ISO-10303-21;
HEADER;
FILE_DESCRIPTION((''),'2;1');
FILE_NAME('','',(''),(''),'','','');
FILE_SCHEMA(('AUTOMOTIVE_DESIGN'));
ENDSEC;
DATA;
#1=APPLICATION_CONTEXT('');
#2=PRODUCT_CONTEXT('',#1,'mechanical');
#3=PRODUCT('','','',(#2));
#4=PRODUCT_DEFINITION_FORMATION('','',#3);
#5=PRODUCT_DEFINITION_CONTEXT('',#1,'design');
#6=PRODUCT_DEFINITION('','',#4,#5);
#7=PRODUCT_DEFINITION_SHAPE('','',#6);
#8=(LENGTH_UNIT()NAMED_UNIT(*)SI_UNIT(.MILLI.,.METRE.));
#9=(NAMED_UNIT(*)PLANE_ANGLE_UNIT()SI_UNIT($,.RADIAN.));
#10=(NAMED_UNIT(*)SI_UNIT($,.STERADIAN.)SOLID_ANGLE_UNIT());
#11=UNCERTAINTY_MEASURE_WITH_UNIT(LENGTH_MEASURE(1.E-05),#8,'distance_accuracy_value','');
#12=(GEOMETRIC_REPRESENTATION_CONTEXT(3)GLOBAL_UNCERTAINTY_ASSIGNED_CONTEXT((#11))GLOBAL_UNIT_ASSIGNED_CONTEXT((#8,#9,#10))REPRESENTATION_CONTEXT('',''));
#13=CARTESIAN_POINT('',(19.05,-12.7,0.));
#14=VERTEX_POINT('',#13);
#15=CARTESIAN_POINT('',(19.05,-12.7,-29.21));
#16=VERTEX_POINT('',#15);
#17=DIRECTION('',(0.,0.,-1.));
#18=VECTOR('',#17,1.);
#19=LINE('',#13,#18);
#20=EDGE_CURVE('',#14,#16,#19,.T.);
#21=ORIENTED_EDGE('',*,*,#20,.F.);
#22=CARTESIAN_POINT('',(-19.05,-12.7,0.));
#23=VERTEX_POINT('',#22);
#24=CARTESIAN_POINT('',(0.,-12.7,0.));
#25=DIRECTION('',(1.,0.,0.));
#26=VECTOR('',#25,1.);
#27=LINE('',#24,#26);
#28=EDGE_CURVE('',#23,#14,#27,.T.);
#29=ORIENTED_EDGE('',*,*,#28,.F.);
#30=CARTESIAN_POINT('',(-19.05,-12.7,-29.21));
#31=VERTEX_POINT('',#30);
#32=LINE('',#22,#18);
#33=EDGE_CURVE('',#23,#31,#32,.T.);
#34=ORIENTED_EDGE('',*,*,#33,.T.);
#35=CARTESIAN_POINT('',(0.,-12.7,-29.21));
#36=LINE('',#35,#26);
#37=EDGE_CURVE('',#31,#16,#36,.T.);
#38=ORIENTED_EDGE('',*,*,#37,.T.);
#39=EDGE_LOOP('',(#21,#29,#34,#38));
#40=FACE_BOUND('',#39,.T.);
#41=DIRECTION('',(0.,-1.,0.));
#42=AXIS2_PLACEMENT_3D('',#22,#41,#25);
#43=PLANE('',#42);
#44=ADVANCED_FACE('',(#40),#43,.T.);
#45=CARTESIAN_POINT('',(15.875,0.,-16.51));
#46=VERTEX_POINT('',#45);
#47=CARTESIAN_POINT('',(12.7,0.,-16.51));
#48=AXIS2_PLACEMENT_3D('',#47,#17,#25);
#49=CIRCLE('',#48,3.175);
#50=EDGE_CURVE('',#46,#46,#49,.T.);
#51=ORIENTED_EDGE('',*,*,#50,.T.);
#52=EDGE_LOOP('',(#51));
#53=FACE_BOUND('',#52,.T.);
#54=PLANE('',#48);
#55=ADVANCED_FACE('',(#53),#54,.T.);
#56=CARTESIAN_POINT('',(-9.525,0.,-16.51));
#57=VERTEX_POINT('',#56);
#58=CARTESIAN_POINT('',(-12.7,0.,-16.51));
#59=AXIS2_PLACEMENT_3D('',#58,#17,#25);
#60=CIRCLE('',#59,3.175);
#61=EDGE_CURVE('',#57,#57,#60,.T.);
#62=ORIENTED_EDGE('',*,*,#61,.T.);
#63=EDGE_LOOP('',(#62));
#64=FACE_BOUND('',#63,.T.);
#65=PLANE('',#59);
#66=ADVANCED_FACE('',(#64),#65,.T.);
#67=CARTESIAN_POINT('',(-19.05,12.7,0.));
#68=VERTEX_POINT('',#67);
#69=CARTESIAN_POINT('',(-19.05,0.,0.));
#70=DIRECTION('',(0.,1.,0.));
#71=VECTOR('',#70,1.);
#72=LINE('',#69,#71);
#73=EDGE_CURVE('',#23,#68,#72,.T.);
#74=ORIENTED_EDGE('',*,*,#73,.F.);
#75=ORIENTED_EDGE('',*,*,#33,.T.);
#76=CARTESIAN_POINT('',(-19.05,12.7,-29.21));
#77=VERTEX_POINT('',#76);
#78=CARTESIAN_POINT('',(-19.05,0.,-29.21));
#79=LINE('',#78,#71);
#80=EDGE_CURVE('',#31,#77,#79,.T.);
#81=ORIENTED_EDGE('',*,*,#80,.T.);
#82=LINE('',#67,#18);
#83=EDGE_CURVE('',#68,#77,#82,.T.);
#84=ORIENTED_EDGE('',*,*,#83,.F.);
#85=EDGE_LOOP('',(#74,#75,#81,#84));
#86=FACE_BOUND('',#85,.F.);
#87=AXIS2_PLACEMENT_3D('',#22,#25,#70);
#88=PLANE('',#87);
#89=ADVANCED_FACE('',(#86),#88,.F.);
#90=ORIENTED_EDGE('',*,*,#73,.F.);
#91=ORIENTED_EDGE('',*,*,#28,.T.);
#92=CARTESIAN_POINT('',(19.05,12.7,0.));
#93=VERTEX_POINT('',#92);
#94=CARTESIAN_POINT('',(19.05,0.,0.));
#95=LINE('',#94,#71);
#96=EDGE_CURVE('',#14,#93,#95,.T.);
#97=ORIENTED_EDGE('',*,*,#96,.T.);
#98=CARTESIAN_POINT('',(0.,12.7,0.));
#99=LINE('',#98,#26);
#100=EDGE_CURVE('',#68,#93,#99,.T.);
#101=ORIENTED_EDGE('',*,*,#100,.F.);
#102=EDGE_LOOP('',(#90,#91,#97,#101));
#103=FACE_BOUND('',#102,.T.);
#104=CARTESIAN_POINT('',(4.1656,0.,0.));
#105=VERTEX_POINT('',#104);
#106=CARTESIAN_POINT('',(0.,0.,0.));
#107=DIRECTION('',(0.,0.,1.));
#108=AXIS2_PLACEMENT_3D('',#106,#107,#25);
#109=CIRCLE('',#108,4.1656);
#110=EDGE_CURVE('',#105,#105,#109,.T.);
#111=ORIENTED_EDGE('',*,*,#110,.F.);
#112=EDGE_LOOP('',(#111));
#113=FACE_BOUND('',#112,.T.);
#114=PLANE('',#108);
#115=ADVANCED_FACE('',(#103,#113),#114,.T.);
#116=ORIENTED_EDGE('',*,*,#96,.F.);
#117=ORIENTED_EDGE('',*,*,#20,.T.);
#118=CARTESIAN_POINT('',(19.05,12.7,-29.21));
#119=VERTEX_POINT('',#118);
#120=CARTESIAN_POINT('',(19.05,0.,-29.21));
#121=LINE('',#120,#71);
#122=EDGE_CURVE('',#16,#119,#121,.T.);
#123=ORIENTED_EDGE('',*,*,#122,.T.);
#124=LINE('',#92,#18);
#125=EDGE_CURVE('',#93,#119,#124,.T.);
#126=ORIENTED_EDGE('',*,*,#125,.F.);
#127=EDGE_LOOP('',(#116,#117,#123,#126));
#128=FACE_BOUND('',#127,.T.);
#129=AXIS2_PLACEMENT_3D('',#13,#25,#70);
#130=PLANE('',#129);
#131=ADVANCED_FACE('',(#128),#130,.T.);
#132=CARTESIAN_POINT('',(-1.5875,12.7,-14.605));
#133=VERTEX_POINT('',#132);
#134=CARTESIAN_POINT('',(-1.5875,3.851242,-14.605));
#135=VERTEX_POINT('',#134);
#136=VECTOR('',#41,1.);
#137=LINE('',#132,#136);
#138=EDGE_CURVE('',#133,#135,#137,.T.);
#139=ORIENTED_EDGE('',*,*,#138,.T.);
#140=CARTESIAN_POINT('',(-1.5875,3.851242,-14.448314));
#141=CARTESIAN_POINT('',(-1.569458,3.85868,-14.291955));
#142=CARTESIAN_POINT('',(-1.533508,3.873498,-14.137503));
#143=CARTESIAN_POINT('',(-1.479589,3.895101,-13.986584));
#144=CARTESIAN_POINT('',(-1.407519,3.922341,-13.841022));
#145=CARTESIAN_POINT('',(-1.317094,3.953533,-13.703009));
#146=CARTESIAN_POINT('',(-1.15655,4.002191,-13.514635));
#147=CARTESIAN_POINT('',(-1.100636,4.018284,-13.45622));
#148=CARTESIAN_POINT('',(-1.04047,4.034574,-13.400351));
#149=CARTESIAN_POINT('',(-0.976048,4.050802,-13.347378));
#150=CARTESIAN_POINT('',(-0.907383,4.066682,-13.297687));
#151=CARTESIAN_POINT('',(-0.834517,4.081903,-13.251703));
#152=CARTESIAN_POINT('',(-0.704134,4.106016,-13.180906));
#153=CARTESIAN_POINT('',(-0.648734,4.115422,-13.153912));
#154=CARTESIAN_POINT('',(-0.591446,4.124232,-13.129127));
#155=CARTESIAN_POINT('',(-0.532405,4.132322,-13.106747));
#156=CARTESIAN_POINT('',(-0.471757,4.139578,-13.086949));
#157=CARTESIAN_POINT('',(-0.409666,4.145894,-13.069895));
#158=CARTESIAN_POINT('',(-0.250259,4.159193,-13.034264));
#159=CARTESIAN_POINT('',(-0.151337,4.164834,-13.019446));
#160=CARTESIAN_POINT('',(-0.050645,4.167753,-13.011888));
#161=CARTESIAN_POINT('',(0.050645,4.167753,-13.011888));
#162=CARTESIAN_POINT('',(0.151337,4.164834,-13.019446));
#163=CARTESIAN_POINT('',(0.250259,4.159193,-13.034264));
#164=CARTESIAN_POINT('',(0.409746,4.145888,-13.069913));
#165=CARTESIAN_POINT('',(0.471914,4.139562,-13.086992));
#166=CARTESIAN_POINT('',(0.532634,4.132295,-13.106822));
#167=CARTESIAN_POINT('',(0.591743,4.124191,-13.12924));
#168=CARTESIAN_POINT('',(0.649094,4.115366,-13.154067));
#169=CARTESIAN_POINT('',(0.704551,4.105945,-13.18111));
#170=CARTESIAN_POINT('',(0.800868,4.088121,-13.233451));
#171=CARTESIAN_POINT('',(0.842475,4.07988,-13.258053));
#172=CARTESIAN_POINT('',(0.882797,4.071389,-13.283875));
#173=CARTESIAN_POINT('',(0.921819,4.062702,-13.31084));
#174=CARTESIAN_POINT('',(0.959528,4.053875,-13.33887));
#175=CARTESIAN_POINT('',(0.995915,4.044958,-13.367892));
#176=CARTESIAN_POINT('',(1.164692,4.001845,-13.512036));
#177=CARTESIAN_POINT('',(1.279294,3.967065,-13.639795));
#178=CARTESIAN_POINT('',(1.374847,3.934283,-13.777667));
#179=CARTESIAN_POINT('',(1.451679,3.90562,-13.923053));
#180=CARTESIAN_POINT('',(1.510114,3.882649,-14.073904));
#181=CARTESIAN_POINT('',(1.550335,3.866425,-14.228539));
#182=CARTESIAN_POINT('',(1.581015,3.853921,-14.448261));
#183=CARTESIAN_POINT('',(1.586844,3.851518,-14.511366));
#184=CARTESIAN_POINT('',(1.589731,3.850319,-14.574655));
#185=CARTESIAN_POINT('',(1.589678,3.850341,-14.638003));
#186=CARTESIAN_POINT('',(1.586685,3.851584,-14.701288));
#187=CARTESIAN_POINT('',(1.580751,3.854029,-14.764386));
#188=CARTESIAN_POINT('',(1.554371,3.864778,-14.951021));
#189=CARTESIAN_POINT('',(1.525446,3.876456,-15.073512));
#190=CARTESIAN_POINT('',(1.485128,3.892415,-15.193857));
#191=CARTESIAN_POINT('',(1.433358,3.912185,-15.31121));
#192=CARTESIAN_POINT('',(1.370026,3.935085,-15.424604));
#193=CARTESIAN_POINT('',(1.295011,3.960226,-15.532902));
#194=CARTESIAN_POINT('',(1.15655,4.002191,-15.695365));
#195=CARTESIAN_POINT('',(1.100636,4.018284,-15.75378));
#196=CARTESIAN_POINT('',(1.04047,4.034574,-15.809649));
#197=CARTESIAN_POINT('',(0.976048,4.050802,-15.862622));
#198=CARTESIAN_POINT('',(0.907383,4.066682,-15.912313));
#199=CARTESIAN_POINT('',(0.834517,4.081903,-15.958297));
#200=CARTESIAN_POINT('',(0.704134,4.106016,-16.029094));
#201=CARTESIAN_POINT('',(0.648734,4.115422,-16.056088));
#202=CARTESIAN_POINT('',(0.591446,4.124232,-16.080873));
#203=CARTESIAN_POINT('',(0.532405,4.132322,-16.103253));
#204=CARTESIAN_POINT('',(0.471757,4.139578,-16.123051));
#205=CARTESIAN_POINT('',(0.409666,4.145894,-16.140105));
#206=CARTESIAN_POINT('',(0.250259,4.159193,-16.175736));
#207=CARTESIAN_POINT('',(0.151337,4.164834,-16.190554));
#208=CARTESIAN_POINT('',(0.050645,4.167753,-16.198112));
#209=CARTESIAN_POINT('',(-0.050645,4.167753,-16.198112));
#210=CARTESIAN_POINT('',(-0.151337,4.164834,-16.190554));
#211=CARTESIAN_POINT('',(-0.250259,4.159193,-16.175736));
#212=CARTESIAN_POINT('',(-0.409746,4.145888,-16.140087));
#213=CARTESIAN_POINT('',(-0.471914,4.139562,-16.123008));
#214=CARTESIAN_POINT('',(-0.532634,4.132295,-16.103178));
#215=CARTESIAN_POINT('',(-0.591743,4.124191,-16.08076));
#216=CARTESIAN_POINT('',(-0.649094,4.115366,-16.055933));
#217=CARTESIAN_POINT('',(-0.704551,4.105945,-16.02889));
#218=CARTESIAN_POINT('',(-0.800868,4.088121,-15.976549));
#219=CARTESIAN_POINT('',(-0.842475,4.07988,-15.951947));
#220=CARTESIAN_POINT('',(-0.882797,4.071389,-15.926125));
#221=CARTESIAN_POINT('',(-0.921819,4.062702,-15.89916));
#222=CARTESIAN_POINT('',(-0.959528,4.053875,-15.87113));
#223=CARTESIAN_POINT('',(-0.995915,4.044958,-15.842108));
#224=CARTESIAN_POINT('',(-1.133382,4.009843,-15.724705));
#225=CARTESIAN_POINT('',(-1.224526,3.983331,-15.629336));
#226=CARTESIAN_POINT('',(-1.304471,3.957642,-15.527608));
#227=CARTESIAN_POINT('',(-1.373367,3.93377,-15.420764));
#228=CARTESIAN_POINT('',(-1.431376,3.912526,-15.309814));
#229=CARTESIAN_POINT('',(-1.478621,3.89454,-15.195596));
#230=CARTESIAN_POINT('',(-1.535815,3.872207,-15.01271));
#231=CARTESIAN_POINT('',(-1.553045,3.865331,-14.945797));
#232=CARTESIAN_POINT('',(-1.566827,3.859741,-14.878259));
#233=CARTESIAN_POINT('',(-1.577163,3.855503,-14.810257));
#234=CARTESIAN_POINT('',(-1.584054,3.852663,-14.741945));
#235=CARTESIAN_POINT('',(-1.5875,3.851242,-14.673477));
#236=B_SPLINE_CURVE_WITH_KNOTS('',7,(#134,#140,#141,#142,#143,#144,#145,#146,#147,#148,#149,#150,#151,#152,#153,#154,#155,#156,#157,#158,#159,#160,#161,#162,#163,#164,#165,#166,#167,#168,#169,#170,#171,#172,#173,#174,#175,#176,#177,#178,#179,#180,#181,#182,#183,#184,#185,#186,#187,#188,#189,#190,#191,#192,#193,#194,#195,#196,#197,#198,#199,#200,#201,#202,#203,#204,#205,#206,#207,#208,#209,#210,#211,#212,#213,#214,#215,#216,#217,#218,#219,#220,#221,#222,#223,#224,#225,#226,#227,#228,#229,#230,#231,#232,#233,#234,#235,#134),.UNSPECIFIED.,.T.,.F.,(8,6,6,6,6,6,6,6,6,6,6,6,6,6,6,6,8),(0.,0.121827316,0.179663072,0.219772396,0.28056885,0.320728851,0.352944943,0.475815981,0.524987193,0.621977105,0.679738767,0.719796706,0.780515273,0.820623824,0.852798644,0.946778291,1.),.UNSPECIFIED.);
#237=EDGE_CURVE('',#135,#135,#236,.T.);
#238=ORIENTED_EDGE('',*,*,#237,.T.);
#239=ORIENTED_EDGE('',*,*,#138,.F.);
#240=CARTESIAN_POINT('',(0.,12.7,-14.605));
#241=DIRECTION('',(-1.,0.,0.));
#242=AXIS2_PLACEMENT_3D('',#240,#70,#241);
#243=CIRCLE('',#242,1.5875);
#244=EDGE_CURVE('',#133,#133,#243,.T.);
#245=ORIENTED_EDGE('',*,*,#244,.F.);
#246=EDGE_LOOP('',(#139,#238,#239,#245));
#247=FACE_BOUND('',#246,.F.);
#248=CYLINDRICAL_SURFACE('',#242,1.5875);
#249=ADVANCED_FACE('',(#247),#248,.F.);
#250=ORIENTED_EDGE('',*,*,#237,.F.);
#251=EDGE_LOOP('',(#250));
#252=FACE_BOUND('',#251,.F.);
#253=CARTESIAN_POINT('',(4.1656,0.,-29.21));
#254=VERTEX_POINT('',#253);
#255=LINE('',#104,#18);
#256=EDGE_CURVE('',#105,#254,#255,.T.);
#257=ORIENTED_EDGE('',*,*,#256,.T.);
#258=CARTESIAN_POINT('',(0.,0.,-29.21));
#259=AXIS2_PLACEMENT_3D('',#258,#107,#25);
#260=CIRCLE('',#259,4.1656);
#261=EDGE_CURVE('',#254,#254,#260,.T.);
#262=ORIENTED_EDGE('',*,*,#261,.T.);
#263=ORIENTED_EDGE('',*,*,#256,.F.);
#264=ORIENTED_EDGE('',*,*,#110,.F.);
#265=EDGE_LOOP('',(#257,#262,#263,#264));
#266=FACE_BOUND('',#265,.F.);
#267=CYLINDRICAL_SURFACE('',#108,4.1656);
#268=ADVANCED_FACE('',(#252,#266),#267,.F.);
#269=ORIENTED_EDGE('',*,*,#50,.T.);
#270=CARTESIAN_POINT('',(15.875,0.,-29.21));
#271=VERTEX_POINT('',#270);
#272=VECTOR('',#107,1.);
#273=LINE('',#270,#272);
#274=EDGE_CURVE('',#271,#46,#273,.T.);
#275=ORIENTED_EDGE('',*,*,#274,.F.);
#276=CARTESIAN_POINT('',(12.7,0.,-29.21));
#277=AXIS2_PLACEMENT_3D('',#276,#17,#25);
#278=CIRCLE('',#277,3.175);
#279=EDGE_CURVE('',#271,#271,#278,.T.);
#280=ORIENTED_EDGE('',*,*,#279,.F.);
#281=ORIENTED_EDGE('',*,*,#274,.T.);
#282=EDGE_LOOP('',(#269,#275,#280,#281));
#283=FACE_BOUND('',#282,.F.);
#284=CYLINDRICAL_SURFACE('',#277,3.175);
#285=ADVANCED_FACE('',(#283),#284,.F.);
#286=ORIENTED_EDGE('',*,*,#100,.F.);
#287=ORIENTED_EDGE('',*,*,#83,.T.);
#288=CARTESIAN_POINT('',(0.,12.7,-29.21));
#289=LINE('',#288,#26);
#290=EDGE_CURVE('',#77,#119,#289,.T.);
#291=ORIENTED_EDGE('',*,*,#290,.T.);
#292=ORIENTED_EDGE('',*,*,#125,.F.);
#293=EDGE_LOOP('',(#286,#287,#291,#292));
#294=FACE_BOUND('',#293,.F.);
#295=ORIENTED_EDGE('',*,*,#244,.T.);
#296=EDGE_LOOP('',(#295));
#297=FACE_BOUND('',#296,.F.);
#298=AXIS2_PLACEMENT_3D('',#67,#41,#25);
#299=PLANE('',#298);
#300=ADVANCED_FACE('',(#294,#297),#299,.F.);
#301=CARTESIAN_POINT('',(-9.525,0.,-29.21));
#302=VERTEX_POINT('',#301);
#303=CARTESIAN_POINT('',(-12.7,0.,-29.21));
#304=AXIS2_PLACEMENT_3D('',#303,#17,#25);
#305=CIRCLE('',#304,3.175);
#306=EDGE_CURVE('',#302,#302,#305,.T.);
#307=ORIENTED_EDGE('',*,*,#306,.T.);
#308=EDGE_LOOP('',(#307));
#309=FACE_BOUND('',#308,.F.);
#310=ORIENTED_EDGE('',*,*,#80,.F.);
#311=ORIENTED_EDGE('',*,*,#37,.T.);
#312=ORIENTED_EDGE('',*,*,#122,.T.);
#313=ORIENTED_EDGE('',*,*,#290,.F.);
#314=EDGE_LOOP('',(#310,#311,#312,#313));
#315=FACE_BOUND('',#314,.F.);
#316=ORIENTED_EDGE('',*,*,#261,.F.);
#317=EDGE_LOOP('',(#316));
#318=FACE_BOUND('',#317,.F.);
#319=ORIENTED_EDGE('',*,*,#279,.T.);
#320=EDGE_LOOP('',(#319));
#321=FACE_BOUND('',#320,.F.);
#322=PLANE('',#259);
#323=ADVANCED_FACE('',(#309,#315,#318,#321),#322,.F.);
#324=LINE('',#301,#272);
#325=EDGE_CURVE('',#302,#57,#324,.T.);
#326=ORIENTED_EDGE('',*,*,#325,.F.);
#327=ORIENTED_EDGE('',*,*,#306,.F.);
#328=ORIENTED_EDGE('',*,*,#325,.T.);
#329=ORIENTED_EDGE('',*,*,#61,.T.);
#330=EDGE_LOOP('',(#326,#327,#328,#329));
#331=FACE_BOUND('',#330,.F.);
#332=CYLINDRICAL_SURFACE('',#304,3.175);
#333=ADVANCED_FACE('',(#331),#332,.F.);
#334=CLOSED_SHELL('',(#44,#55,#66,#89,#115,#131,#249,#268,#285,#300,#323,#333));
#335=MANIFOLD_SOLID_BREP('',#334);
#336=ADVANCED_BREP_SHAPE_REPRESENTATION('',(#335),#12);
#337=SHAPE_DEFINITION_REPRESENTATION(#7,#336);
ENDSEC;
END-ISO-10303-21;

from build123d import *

# Parameters (mm, degrees)
F0_W     = 38.1
F0_H     = 25.4
F0_R     = 4.1656
F1_DEPTH = 29.21
F2_R     = 3.175
F3_DEPTH = 12.7
F4_R     = 1.5875
F5_DEPTH = 12.7


with BuildPart() as f1:
    # F0 (on Top) → F1 (new body)
    with BuildSketch(Plane.XY):
        Rectangle(F0_W, F0_H)
        Circle(F0_R, mode=Mode.SUBTRACT)
    extrude(amount=-F1_DEPTH)

    # F2 (on face) → F3 (cut)
    with BuildSketch(Plane(origin=(0, 0, -29.21), x_dir=(1, 0, 0), z_dir=(0, 0, -1))):
        with Locations((-12.7, 0)):
            Circle(F2_R)
        with Locations((12.7, 0)):
            Circle(F2_R)
    extrude(amount=-F3_DEPTH, mode=Mode.SUBTRACT)

    # F4 (on face) → F5 (cut)
    with BuildSketch(Plane(origin=(0, 12.7, 0), x_dir=(-1, 0, 0), z_dir=(0, 1, 0))):
        with Locations((0, -14.605)):
            Circle(F4_R)
    extrude(amount=-F5_DEPTH, mode=Mode.SUBTRACT)


solid = f1.part
